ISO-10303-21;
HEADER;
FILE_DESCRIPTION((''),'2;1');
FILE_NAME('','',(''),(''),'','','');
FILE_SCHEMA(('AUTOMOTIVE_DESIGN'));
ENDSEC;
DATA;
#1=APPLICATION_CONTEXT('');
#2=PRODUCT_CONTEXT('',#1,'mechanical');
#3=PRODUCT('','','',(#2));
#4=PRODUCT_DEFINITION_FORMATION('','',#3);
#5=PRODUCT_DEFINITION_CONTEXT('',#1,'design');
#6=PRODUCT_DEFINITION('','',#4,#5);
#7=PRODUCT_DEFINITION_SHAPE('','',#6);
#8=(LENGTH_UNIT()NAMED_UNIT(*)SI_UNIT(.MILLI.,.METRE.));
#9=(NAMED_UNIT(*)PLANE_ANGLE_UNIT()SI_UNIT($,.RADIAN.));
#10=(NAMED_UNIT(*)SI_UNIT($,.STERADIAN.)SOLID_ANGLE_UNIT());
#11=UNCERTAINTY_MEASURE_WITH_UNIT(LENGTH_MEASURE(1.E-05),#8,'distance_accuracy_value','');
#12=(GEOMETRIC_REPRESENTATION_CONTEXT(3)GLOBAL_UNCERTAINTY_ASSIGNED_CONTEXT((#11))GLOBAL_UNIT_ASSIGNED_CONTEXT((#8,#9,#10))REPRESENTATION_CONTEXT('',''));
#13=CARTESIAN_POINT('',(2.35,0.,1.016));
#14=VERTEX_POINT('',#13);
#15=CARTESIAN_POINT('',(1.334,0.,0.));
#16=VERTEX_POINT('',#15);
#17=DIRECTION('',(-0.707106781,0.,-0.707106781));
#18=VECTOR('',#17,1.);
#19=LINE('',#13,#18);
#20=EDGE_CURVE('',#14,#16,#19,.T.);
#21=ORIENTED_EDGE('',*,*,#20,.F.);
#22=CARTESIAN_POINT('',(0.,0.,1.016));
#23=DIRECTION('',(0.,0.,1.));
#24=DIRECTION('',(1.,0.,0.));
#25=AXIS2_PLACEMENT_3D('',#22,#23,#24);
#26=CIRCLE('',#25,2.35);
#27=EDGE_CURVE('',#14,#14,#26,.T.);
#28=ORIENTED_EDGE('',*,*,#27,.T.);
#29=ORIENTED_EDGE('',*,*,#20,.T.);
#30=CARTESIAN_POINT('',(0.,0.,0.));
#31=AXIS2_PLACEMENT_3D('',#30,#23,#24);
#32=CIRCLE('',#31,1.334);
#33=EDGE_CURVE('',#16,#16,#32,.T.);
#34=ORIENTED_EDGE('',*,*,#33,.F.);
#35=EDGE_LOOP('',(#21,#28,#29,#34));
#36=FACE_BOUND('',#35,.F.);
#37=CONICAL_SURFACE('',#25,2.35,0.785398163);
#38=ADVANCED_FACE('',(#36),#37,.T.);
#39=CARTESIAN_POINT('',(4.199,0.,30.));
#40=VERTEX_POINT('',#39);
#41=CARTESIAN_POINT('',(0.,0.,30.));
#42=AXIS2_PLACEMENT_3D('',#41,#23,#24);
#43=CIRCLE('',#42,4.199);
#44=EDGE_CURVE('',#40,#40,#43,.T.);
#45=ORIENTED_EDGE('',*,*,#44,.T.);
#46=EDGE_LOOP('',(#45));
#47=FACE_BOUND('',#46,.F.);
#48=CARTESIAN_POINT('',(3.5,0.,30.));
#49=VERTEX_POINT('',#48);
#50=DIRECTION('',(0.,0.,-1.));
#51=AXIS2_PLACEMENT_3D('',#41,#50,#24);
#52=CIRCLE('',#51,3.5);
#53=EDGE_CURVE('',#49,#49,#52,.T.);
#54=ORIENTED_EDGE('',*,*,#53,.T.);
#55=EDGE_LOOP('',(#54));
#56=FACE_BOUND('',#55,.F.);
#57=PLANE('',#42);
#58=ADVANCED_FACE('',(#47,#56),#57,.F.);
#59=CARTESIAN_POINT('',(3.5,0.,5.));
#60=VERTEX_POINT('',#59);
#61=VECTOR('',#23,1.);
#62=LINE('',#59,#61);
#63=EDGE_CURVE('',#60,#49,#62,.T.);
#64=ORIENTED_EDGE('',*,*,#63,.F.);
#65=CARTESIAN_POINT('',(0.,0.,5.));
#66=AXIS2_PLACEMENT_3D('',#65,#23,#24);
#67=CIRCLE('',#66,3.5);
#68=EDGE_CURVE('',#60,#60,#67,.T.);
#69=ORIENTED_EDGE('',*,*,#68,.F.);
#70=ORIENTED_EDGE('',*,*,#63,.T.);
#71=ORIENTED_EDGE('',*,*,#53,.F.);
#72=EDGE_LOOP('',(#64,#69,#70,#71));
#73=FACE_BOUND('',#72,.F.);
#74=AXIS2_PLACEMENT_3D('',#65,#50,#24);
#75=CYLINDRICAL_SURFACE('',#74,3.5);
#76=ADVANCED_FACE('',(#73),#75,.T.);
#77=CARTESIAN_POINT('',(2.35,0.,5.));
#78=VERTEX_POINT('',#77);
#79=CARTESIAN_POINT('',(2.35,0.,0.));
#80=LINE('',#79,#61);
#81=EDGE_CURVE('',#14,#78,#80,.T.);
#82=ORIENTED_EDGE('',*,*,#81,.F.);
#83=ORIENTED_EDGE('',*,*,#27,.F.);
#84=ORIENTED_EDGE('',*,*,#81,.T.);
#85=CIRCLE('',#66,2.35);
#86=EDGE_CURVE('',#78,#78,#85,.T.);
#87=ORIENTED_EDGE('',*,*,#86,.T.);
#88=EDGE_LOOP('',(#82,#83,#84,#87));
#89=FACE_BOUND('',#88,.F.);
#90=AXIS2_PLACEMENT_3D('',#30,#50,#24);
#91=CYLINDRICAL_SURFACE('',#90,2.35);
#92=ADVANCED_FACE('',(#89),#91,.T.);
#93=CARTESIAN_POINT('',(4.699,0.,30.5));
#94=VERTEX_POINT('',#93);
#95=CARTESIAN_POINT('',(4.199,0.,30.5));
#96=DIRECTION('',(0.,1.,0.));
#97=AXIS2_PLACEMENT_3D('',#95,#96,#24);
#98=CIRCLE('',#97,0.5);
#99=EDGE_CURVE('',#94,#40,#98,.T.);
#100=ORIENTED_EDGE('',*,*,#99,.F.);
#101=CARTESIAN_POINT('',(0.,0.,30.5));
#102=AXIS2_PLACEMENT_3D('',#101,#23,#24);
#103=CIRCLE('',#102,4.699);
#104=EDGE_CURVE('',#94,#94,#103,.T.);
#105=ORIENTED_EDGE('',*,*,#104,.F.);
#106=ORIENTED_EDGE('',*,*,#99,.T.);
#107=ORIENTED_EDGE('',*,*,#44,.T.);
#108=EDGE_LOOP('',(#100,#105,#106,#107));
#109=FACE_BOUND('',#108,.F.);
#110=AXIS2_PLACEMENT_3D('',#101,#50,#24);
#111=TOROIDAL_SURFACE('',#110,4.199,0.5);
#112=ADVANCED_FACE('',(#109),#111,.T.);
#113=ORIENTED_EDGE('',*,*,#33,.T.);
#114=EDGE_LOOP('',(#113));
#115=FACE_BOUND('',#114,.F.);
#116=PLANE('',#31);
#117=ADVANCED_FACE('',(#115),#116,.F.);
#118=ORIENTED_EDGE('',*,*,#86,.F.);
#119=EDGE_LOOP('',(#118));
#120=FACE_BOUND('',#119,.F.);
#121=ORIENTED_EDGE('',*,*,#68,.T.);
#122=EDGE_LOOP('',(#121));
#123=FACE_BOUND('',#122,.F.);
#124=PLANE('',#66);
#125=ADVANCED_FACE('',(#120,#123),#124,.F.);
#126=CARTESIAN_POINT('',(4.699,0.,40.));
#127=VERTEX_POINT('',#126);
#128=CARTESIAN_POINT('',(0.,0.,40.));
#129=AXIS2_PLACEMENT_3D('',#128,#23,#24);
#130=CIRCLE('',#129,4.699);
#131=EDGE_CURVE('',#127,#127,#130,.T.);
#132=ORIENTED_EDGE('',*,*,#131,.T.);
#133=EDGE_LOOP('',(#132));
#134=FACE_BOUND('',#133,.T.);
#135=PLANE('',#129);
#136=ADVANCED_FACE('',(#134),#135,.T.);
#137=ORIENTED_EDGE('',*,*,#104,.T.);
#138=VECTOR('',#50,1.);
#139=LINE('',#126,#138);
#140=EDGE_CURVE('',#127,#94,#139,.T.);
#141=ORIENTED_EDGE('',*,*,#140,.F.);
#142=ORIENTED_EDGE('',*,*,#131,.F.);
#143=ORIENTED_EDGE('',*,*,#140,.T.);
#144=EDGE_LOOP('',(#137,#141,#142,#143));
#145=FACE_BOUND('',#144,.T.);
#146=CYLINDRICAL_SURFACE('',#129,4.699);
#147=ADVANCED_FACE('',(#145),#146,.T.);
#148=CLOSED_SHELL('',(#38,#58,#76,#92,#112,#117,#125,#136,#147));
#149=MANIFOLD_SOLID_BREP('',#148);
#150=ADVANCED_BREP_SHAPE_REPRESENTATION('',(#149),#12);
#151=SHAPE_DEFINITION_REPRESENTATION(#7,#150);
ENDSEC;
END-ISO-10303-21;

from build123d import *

# Parameters (mm, degrees)
F0_R     = 2.35
F1_DEPTH = 5
F2_R     = 3.5
F3_DEPTH = 35
F4_SIZE  = 1.016
F5_R     = 4.699
F6_DEPTH = 10
F7_R     = 0.5


with BuildPart() as f1:
    # F0 (on Top) → F1 (new body)
    with BuildSketch(Plane.XY):
        Circle(F0_R)
    extrude(amount=F1_DEPTH)

    # F2 (on face) → F3 (join)
    with BuildSketch(Plane.XY.offset(5)):
        Circle(F2_R)
    extrude(amount=F3_DEPTH)

    # F4
    f4_edges = [f1.edges().sort_by_distance(p)[0] for p in [
        (-2.35, 0, 0),
    ]]
    chamfer(f4_edges, length=F4_SIZE)

    # F5 (on face) → F6 (join)
    with BuildSketch(Plane.XY.offset(40)):
        Circle(F5_R)
    extrude(amount=-F6_DEPTH)

    # F7
    f7_edges = [f1.edges().sort_by_distance(p)[0] for p in [
        (-4.699, 0, 30),
    ]]
    fillet(f7_edges, radius=F7_R)


solid = f1.part
